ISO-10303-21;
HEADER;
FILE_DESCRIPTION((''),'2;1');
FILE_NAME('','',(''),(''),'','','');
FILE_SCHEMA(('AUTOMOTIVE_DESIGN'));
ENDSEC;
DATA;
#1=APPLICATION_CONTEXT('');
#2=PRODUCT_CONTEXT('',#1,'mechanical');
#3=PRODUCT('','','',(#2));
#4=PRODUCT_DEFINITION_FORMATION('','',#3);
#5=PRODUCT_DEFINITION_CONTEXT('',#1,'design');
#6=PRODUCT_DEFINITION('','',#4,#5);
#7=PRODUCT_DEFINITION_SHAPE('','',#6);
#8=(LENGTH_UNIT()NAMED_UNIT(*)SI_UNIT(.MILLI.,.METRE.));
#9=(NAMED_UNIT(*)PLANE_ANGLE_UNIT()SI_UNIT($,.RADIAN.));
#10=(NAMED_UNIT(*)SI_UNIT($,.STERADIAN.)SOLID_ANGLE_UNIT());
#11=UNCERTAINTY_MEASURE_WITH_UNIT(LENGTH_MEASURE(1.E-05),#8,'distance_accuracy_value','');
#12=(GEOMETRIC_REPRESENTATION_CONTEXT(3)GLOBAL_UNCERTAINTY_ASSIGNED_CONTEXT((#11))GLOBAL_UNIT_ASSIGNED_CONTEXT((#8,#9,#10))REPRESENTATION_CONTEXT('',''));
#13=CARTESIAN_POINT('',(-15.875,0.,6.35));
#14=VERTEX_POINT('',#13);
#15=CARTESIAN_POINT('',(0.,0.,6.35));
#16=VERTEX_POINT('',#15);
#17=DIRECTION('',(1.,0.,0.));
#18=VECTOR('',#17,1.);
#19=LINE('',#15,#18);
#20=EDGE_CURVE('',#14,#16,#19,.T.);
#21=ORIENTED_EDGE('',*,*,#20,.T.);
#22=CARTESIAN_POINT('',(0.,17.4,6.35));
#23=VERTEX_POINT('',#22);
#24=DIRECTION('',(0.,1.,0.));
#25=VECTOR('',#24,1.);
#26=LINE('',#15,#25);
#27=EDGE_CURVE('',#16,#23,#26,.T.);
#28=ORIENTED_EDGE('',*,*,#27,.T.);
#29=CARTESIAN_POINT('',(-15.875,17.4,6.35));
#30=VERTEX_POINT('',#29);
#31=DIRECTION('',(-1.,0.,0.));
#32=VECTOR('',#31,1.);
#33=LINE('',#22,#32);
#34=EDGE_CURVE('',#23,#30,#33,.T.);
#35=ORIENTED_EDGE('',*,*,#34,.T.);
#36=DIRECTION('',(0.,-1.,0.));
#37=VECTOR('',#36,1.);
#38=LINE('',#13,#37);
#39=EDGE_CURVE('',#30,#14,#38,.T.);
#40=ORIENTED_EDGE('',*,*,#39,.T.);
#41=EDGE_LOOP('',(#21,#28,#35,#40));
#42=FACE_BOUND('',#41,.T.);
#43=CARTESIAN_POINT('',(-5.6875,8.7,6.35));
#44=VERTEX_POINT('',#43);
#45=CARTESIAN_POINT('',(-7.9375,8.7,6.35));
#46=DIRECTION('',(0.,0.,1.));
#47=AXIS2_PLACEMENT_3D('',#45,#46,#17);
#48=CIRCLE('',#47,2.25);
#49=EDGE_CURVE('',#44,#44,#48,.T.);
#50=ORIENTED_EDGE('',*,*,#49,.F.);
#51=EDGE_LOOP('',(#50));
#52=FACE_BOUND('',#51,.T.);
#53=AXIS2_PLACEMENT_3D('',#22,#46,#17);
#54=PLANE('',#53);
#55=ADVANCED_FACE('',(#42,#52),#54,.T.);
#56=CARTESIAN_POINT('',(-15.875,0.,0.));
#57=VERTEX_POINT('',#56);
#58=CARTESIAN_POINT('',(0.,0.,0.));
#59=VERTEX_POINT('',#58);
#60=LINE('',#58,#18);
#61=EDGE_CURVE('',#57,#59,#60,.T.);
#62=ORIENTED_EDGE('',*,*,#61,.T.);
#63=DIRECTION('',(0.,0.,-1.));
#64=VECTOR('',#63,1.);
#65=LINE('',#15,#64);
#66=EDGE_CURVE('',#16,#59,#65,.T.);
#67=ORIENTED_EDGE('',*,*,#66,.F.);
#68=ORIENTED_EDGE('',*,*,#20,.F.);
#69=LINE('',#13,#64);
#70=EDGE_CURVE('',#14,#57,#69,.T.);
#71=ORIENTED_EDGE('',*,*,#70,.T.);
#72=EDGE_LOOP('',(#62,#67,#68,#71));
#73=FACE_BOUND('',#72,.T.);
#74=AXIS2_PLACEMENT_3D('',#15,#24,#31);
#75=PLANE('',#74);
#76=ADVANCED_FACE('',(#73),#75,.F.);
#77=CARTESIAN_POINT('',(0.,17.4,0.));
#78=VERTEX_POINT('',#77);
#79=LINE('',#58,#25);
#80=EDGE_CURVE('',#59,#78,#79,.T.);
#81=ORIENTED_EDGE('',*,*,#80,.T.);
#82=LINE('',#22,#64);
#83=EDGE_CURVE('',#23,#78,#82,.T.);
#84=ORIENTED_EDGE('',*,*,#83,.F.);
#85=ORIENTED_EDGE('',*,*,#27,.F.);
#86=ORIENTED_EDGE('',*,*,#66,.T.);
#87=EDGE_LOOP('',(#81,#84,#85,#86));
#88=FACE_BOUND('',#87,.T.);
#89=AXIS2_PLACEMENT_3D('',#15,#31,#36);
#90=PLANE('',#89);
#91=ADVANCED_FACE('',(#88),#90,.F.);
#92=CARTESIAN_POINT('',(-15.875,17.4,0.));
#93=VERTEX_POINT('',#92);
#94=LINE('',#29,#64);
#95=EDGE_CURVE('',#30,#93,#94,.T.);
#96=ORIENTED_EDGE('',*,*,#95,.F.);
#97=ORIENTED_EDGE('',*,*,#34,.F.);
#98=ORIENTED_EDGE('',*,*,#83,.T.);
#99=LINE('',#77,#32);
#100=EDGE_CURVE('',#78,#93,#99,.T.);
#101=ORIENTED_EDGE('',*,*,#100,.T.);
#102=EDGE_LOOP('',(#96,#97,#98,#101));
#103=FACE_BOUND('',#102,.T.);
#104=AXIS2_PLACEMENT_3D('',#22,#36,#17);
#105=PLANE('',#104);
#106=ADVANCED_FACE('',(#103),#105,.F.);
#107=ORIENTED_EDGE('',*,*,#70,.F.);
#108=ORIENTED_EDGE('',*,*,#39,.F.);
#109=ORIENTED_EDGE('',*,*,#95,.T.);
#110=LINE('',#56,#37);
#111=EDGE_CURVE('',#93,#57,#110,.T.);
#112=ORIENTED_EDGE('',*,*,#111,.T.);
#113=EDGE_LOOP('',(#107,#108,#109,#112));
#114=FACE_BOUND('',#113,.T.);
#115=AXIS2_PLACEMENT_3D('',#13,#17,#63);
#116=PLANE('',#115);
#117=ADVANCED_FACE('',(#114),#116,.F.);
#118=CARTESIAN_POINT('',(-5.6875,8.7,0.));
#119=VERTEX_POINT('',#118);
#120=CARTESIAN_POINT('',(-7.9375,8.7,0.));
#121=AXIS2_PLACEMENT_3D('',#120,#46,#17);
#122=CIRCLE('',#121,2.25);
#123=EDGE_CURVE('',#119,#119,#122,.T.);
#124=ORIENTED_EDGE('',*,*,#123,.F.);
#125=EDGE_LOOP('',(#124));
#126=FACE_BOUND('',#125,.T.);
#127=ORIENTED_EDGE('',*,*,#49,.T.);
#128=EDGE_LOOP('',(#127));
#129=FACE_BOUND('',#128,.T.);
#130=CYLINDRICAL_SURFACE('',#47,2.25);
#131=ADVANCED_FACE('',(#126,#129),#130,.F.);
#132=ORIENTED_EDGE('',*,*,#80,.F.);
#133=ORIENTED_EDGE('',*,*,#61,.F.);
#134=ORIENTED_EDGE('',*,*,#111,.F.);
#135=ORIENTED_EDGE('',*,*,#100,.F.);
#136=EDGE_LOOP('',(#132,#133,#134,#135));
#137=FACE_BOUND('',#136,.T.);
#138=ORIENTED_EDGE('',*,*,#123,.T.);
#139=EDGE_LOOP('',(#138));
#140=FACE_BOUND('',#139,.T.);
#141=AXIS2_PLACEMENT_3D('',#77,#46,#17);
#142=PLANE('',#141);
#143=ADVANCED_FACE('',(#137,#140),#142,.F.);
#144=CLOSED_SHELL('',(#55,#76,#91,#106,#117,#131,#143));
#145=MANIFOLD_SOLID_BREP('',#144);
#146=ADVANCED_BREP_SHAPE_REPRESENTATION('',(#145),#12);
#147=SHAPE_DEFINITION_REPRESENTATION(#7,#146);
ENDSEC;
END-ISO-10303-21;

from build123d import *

# Parameters (mm, degrees)
SKETCH1_W                = 15.875
SKETCH1_H                = 17.4
BOSS_EXTRUDE1_DEPTH      = 6.35
M4_CLEARANCE_HOLE1_D     = 4.5
M4_CLEARANCE_HOLE1_DEPTH = 12.7
M4_CLEARANCE_HOLE1_TIP   = 1.351936393


with BuildPart() as part:
    # Sketch1 → Boss-Extrude1 (new body)
    with BuildSketch(Plane.XY):
        with Locations((-7.9375, 8.7)):
            Rectangle(SKETCH1_W, SKETCH1_H)
    extrude(amount=BOSS_EXTRUDE1_DEPTH)

    # M4 Clearance Hole1
    with Locations(Plane.XY.offset(6.35)):
        with Locations((-7.9375, 8.7)):
            Hole(M4_CLEARANCE_HOLE1_D / 2, depth=M4_CLEARANCE_HOLE1_DEPTH)
            with Locations((0, 0, -(M4_CLEARANCE_HOLE1_DEPTH + M4_CLEARANCE_HOLE1_TIP / 2))):  # 118° drill point
                Cone(0, M4_CLEARANCE_HOLE1_D / 2, M4_CLEARANCE_HOLE1_TIP, mode=Mode.SUBTRACT)


solid = part.part
